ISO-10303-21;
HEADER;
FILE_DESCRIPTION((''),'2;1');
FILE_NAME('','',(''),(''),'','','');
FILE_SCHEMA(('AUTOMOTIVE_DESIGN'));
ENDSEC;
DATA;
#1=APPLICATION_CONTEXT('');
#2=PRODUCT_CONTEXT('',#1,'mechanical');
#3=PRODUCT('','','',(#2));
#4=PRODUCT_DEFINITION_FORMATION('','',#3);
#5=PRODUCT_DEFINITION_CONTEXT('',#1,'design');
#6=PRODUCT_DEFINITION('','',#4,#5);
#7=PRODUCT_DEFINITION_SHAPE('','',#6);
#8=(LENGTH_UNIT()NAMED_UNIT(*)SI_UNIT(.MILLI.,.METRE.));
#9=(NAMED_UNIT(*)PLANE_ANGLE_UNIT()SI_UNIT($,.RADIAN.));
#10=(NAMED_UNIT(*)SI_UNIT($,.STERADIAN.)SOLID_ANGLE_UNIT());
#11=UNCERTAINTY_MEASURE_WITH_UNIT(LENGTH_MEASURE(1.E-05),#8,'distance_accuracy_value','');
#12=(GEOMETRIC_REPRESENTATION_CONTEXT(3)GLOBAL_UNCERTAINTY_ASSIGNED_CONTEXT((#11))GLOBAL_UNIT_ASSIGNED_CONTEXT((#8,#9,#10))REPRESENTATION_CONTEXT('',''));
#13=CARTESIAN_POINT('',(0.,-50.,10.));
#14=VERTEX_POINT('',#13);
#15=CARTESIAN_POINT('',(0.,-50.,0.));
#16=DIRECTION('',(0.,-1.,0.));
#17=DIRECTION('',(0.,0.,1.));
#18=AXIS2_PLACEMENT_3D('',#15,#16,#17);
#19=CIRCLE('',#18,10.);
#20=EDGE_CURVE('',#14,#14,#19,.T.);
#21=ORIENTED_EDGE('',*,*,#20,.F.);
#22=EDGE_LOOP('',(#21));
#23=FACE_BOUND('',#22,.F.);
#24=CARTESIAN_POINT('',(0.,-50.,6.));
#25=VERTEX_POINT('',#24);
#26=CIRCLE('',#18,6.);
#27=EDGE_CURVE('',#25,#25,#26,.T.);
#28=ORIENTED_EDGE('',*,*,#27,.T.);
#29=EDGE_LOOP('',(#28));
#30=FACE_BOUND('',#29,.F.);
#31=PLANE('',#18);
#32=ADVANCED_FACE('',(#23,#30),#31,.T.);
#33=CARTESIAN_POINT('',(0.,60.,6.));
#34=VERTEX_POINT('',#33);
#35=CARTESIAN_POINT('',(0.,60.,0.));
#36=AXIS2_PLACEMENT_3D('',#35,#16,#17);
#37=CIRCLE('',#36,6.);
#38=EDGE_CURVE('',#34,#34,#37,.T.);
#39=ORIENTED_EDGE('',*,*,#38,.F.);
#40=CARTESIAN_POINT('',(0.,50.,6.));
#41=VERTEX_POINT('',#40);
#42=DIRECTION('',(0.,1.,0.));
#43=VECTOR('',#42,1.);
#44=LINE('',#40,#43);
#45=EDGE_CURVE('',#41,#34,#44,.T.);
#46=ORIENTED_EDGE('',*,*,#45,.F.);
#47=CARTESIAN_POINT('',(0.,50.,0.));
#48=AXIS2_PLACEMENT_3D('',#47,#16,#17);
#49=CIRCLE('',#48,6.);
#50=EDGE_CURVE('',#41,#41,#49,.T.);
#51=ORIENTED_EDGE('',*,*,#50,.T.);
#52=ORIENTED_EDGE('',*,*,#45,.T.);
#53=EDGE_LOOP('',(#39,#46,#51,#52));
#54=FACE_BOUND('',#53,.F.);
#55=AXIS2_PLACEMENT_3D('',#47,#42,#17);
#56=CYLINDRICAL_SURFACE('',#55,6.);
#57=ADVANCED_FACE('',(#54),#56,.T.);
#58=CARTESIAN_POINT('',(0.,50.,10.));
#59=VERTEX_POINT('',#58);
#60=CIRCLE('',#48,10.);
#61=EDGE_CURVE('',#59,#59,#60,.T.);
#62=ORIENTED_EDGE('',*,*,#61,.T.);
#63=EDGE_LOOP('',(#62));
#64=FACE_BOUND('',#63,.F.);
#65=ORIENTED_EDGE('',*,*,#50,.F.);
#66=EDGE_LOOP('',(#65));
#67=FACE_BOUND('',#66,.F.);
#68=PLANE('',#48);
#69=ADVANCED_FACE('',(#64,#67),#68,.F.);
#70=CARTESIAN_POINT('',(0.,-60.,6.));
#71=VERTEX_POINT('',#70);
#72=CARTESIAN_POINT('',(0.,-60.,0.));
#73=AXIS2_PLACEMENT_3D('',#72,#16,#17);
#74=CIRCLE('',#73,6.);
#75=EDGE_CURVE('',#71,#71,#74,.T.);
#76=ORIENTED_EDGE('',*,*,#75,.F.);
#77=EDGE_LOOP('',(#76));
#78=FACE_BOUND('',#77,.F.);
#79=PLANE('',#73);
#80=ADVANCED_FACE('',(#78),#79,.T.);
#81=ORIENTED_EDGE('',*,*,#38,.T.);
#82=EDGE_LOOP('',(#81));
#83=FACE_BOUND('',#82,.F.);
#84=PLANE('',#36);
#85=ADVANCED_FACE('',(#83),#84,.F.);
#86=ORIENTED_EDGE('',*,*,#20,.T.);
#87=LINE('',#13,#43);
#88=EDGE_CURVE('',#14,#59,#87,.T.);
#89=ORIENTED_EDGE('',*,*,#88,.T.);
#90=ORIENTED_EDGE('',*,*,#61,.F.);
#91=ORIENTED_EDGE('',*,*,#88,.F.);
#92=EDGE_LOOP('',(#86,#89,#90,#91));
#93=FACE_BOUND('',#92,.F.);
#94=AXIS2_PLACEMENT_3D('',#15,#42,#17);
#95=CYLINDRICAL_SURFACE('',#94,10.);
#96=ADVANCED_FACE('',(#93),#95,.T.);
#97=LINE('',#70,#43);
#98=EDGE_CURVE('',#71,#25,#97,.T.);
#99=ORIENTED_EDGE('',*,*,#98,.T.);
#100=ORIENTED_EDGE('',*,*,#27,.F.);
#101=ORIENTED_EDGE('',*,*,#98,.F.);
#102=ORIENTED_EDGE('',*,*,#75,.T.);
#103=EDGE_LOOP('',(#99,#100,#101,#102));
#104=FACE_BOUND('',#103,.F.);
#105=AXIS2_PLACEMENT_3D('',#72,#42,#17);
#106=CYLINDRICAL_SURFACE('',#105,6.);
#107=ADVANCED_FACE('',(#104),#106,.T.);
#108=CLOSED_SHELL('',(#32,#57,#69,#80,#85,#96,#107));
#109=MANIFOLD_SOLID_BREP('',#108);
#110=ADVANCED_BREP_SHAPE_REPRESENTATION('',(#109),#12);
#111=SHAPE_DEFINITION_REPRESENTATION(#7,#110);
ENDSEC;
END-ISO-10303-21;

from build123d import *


with BuildPart() as part:
    # Croquis1 → Revolución1 (revolve)
    with BuildSketch(Plane(origin=(0, 0, 0), x_dir=(0, 0, -1), z_dir=(1, 0, 0))):
        Polygon((0, 60), (0, -60), (-6, -60), (-6, -50), (-10, -50), (-10, 50), (-6, 50), (-6, 60), align=None)
    revolve(axis=Axis((0, 60, 0), (0, -1, 0)))


solid = part.part
